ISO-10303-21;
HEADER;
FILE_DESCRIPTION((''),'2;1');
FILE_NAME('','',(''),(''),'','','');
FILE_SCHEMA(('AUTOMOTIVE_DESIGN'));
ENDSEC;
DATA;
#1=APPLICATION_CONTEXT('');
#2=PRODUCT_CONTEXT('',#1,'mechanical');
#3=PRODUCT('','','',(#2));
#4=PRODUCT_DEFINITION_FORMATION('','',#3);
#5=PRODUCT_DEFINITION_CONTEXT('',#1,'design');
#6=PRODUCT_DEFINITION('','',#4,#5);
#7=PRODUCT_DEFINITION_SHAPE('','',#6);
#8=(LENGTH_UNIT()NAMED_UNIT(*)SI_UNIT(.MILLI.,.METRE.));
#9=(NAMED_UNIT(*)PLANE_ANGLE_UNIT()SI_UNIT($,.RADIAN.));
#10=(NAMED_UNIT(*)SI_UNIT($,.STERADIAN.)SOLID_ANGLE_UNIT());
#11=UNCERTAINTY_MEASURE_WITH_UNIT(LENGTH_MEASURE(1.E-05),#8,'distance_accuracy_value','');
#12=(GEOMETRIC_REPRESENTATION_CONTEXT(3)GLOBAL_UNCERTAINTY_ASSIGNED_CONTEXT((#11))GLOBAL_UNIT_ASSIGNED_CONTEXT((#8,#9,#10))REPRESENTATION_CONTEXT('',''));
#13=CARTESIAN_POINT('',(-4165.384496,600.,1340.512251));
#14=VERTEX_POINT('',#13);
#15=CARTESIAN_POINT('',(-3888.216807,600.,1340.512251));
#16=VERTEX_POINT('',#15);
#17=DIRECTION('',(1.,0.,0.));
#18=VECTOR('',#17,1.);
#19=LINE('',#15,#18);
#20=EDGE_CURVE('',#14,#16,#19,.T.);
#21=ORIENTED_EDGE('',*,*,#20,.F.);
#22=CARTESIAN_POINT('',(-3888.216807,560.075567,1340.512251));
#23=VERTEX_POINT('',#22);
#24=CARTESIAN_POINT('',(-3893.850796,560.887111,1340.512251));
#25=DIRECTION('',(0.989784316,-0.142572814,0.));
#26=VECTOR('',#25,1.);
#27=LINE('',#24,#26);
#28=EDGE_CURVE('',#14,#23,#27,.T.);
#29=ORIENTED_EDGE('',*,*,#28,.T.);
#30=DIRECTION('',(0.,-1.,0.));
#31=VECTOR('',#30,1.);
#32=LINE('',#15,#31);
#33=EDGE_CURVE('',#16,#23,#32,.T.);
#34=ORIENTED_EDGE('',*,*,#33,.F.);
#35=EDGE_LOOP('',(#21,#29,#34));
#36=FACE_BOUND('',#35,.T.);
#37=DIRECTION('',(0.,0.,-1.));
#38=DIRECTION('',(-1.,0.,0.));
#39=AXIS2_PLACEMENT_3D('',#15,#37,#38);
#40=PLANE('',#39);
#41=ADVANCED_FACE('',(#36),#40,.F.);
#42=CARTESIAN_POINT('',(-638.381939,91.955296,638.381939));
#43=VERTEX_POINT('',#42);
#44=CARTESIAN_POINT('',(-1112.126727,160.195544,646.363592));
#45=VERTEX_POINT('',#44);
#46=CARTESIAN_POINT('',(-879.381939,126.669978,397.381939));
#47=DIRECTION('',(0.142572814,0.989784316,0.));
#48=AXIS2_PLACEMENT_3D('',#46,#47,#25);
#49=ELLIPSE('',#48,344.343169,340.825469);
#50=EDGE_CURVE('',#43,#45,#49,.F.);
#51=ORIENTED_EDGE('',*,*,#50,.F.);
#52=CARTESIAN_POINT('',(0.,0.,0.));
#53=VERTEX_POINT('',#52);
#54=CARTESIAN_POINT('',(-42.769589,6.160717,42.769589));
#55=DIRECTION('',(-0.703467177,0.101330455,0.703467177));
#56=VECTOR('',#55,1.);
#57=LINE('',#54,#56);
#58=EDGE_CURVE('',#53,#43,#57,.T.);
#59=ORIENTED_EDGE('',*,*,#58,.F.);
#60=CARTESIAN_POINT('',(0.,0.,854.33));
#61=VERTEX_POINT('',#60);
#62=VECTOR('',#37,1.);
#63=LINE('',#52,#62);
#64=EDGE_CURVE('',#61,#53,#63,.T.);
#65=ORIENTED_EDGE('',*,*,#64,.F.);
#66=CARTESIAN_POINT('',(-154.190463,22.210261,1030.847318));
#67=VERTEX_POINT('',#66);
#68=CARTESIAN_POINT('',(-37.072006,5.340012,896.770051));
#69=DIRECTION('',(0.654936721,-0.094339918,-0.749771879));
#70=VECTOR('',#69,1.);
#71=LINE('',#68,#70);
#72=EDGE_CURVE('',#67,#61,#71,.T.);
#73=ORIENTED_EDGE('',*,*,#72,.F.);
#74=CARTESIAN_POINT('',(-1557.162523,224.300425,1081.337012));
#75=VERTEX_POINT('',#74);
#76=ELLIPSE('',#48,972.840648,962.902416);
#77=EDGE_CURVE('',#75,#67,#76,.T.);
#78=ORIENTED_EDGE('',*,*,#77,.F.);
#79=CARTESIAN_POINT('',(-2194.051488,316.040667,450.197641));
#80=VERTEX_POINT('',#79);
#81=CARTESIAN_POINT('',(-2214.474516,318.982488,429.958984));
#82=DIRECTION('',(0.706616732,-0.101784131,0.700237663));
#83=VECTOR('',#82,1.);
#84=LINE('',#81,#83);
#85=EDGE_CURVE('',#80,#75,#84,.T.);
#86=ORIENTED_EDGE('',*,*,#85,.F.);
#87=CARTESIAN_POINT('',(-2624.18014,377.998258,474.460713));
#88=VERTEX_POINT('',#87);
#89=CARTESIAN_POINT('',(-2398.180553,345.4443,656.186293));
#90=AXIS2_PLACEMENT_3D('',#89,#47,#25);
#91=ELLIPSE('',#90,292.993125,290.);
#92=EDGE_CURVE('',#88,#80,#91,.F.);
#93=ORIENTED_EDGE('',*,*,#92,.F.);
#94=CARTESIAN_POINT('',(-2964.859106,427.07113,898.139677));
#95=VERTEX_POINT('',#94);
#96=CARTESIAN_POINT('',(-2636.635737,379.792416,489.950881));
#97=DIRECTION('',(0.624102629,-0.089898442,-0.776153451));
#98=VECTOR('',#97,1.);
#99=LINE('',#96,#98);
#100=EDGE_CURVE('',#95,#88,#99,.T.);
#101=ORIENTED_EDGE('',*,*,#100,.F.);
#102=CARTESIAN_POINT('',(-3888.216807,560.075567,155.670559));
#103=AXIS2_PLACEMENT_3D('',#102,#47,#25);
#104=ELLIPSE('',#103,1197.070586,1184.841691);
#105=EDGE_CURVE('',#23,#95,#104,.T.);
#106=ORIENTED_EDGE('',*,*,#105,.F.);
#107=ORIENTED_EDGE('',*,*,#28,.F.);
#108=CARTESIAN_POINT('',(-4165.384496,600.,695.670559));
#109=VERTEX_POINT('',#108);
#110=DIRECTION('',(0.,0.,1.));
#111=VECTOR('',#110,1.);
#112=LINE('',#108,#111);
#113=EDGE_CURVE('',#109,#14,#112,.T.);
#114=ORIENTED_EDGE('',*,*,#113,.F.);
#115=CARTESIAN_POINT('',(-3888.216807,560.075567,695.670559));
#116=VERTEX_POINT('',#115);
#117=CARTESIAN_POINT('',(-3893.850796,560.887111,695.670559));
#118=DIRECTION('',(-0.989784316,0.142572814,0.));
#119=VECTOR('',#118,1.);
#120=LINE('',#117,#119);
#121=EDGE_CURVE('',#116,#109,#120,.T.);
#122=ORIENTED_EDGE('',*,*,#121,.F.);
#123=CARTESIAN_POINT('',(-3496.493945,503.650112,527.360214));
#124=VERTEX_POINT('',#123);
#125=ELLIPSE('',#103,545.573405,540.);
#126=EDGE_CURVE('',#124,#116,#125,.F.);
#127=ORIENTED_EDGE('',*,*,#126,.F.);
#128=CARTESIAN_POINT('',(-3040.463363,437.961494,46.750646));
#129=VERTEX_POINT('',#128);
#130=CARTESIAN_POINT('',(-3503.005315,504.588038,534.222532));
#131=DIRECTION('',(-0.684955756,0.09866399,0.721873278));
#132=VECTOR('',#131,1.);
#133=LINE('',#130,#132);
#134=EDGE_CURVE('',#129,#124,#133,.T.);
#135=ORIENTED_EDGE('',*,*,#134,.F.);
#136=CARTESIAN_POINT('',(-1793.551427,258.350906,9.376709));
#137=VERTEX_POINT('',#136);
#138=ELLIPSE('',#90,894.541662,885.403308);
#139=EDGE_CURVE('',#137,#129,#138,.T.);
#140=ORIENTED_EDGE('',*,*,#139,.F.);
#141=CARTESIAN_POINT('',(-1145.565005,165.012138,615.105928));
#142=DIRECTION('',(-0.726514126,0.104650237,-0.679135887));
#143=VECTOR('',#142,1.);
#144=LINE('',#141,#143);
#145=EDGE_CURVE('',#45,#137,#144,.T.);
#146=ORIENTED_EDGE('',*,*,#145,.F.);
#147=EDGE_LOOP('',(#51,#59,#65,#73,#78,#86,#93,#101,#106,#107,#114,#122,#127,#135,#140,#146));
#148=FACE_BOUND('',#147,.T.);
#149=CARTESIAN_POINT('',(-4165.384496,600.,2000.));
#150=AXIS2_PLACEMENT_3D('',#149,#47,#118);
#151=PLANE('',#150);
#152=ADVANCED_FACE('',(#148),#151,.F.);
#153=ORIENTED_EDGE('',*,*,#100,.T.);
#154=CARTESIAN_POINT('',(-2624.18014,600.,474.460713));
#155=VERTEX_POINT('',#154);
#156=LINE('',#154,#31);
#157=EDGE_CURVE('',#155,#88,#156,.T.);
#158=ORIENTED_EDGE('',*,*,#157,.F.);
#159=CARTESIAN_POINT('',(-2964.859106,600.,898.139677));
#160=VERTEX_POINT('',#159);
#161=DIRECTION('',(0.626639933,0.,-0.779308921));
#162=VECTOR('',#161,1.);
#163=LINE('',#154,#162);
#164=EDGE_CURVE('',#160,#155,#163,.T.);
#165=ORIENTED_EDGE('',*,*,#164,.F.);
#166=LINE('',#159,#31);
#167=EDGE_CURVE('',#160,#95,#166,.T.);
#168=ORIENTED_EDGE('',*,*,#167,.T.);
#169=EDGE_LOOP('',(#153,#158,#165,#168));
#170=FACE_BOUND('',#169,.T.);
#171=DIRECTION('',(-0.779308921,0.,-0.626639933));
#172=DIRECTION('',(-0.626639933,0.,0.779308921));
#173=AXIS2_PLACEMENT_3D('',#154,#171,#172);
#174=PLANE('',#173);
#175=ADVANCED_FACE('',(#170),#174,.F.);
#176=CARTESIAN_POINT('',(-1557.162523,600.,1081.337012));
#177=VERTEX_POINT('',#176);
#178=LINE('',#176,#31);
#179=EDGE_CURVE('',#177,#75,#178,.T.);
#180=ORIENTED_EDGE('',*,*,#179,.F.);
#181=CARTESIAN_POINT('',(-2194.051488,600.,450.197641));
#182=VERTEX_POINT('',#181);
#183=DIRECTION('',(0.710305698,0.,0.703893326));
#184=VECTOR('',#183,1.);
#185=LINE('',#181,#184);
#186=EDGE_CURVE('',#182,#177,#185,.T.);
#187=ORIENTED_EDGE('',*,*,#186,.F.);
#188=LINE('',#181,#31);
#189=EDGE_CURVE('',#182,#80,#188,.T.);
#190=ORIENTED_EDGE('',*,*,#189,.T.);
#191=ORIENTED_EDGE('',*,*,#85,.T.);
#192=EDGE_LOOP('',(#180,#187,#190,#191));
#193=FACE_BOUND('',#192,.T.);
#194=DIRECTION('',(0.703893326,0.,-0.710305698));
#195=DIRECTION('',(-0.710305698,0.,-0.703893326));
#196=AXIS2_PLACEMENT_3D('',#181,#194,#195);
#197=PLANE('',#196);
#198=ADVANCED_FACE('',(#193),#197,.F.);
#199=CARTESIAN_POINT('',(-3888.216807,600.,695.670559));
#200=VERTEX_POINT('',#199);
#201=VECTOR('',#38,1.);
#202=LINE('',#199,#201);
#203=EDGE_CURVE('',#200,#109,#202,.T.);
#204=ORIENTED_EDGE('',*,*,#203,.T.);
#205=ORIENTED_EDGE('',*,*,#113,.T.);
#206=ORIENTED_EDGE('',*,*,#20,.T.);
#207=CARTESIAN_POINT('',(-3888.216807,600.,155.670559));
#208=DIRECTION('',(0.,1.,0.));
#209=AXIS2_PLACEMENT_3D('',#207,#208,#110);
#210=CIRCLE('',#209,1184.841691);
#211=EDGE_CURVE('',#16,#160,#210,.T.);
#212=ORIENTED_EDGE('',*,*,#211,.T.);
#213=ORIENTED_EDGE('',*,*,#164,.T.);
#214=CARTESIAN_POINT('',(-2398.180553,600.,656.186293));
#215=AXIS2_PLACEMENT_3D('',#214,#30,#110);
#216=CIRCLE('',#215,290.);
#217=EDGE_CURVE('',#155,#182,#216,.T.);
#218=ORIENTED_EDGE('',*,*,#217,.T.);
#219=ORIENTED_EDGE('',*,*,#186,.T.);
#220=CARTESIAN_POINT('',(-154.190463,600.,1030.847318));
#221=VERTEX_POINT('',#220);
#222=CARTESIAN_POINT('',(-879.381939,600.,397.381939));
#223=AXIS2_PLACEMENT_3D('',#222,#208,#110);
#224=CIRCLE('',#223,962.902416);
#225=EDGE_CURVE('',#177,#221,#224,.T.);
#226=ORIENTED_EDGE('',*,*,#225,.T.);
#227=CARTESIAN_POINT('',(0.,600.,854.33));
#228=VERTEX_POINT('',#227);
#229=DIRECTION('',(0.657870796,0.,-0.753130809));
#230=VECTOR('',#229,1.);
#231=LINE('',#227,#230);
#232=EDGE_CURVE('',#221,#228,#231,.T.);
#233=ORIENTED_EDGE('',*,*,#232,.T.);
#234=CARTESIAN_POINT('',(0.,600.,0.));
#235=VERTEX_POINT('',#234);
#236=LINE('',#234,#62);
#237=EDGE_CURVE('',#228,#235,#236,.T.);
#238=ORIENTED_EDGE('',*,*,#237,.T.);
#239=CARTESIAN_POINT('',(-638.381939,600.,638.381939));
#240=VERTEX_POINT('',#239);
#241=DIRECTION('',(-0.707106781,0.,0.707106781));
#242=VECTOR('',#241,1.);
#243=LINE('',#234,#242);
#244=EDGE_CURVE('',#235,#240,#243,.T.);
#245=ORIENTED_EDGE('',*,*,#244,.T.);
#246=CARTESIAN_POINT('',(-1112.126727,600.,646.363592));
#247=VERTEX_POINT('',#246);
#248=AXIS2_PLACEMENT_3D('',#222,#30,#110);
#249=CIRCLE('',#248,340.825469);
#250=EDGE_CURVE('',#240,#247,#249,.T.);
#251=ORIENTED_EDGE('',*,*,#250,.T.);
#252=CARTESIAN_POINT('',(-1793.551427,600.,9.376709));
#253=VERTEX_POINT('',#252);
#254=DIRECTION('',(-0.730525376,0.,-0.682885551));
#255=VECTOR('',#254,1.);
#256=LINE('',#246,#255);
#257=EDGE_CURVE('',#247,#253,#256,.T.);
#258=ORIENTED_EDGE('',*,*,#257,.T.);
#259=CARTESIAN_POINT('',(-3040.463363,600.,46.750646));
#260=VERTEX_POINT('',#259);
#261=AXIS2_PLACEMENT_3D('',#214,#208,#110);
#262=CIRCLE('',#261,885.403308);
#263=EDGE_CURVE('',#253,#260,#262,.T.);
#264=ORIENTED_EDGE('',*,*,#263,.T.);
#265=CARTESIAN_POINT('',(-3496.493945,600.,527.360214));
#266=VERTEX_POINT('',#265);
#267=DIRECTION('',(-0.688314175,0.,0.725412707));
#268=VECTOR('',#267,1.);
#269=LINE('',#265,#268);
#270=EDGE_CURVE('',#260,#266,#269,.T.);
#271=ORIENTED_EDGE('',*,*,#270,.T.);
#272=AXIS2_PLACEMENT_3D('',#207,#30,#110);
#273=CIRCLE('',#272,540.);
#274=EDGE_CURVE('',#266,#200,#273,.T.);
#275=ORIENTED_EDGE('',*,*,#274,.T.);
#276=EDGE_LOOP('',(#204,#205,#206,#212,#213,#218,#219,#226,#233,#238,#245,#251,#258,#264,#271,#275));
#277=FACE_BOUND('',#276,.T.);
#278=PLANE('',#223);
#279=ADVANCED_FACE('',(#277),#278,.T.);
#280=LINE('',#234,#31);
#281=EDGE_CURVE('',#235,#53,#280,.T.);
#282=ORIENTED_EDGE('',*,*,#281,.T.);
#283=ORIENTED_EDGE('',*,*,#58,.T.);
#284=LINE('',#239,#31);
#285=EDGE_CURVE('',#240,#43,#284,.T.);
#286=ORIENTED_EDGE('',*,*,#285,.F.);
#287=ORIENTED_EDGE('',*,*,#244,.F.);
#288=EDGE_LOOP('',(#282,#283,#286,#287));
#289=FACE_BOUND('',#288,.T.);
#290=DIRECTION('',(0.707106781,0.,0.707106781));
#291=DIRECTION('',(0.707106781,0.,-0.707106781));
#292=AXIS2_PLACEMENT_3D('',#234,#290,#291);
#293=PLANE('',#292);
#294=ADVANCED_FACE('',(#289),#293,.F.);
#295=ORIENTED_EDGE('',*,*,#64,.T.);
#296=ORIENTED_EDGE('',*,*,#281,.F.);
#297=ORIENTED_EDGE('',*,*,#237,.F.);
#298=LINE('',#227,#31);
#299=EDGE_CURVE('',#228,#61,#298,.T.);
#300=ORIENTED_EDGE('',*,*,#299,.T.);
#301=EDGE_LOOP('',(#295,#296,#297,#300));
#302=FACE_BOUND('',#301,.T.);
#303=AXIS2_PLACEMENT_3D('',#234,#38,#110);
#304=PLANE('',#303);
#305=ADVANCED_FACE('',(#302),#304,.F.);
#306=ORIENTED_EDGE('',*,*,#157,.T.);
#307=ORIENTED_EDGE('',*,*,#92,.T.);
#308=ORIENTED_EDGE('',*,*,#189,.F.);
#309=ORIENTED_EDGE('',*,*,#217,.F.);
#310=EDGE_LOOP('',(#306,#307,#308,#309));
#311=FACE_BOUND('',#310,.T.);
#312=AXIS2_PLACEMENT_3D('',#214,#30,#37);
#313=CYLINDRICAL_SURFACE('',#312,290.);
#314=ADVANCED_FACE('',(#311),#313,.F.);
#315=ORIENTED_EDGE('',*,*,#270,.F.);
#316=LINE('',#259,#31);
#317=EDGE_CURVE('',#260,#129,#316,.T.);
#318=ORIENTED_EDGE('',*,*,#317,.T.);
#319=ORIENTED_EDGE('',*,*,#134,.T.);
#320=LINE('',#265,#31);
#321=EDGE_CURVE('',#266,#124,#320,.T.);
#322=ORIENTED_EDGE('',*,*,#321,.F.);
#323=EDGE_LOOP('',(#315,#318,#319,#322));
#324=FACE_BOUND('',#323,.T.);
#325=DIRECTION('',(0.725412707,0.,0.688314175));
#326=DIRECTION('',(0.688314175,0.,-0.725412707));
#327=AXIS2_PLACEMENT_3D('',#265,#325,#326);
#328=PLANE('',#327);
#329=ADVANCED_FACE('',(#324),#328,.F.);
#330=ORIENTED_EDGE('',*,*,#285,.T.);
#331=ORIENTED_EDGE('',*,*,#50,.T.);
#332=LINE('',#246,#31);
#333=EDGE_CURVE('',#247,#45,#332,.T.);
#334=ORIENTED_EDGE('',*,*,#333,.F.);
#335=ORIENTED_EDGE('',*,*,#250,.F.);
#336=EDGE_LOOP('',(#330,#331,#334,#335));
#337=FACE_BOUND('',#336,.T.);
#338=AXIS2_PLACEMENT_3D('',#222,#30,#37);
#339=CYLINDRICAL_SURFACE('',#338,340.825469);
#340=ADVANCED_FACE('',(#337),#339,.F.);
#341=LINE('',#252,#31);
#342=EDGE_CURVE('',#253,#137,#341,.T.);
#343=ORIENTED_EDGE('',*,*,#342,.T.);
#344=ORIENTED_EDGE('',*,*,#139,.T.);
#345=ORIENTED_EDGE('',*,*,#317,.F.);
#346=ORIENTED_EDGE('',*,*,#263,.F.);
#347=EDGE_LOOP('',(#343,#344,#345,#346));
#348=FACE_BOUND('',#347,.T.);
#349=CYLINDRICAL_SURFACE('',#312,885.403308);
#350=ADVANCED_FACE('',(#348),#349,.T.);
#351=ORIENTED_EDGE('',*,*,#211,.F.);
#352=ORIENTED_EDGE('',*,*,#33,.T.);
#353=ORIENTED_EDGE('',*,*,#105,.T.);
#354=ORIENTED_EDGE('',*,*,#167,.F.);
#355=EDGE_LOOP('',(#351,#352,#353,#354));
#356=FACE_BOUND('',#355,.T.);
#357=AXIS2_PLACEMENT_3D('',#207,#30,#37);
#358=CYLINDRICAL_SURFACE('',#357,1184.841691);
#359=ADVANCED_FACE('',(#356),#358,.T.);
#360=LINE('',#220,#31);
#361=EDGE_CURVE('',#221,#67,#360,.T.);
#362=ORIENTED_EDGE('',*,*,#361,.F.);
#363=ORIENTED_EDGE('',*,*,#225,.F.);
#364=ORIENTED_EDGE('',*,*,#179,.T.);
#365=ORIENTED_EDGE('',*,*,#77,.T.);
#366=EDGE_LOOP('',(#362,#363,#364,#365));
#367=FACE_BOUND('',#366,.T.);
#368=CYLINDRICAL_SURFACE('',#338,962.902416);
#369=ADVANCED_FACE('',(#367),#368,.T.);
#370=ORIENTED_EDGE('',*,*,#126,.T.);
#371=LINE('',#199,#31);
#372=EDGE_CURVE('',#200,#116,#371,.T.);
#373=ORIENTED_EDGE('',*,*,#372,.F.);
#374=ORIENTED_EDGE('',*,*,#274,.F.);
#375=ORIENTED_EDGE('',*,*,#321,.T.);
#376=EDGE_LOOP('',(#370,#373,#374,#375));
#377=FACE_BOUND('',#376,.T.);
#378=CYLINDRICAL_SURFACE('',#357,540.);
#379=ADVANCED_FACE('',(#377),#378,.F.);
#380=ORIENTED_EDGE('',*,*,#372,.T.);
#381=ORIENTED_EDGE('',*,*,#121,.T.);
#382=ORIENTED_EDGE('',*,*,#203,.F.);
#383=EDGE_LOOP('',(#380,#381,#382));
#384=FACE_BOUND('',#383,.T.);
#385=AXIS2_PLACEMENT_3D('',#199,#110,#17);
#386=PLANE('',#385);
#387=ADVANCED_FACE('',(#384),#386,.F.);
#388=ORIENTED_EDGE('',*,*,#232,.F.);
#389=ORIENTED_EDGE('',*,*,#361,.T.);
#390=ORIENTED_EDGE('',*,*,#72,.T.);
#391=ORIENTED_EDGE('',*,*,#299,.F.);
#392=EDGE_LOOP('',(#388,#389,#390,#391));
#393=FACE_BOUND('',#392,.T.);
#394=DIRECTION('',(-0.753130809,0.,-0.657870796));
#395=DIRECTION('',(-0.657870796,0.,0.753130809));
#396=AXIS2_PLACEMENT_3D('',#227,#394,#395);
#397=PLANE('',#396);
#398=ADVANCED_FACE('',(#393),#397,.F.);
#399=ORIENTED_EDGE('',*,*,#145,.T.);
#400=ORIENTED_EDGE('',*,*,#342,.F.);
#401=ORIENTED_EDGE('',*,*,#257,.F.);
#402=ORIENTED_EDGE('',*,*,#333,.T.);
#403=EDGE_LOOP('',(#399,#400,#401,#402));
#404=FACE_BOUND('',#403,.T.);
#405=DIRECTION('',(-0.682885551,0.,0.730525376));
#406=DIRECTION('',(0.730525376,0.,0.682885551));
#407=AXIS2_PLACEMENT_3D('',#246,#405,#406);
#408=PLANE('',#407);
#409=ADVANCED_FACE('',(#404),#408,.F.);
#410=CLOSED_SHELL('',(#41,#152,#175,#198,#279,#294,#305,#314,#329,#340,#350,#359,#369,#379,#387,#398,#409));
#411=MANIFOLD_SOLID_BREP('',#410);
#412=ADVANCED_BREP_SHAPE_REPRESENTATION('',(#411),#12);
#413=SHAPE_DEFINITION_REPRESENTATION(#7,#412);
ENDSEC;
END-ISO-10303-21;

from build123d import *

# Parameters (mm, degrees)
BOSS_EXTRUDE3_DEPTH     = 600
CUT_EXTRUDE1_DEPTH      = 2000
CUT_EXTRUDE1_DEPTH_BACK = 2000


with BuildPart() as part:
    # Sketch1 → Boss-Extrude3 (new body)
    with BuildSketch(Plane(origin=(0, 0, 0), x_dir=(1, 0, 0), z_dir=(0, 1, 0))):
        with BuildLine():
            Line((0, 0), (0, -854.33))
            Line((0, -854.33), (-154.190463005, -1030.847317622))
            ThreePointArc((-154.190463005, -1030.847317622), (-844.751743063, -1359.661426587), (-1557.162523479, -1081.337012069))
            Line((-1557.162523479, -1081.337012069), (-2194.051488263, -450.19764079))
            ThreePointArc((-2194.051488263, -450.19764079), (-2414.513161537, -366.64657948), (-2624.180140047, -474.460712836))
            Line((-2624.180140047, -474.460712836), (-2964.859106314, -898.139677134))
            ThreePointArc((-2964.859106314, -898.139677134), (-3376.288360318, -1224.211199414), (-3888.216806642, -1340.512250728))
            Line((-3888.216806642, -1340.512250728), (-4165.384496326, -1340.512250728))
            Line((-4165.384496326, -1340.512250728), (-4165.384496326, -695.670559359))
            Line((-4165.384496326, -695.670559359), (-3888.216806642, -695.670559359))
            ThreePointArc((-3888.216806642, -695.670559359), (-3675.041307945, -651.811876682), (-3496.493944625, -527.360214008))
            Line((-3496.493944625, -527.360214008), (-3040.463363472, -46.750645832))
            ThreePointArc((-3040.463363472, -46.750645832), (-2424.707007304, 228.819562259), (-1793.551427485, -9.376709356))
            Line((-1793.551427485, -9.376709356), (-1112.126726764, -646.363592415))
            ThreePointArc((-1112.126726764, -646.363592415), (-873.640525372, -738.159045255), (-638.381938968, -638.381938968))
            Line((-638.381938968, -638.381938968), (0, 0))
        make_face()
    extrude(amount=BOSS_EXTRUDE3_DEPTH)

    # Sketch2 → Cut-Extrude1 (cut, two sides)
    with BuildSketch(Plane.XY) as cut_extrude1_sk:
        Polygon((-4165.384496326, 600), (0, 0), (-4165.384496326, 0), align=None)
    extrude(amount=CUT_EXTRUDE1_DEPTH, mode=Mode.SUBTRACT)
    extrude(cut_extrude1_sk.sketch, amount=-CUT_EXTRUDE1_DEPTH_BACK, mode=Mode.SUBTRACT)


solid = part.part
